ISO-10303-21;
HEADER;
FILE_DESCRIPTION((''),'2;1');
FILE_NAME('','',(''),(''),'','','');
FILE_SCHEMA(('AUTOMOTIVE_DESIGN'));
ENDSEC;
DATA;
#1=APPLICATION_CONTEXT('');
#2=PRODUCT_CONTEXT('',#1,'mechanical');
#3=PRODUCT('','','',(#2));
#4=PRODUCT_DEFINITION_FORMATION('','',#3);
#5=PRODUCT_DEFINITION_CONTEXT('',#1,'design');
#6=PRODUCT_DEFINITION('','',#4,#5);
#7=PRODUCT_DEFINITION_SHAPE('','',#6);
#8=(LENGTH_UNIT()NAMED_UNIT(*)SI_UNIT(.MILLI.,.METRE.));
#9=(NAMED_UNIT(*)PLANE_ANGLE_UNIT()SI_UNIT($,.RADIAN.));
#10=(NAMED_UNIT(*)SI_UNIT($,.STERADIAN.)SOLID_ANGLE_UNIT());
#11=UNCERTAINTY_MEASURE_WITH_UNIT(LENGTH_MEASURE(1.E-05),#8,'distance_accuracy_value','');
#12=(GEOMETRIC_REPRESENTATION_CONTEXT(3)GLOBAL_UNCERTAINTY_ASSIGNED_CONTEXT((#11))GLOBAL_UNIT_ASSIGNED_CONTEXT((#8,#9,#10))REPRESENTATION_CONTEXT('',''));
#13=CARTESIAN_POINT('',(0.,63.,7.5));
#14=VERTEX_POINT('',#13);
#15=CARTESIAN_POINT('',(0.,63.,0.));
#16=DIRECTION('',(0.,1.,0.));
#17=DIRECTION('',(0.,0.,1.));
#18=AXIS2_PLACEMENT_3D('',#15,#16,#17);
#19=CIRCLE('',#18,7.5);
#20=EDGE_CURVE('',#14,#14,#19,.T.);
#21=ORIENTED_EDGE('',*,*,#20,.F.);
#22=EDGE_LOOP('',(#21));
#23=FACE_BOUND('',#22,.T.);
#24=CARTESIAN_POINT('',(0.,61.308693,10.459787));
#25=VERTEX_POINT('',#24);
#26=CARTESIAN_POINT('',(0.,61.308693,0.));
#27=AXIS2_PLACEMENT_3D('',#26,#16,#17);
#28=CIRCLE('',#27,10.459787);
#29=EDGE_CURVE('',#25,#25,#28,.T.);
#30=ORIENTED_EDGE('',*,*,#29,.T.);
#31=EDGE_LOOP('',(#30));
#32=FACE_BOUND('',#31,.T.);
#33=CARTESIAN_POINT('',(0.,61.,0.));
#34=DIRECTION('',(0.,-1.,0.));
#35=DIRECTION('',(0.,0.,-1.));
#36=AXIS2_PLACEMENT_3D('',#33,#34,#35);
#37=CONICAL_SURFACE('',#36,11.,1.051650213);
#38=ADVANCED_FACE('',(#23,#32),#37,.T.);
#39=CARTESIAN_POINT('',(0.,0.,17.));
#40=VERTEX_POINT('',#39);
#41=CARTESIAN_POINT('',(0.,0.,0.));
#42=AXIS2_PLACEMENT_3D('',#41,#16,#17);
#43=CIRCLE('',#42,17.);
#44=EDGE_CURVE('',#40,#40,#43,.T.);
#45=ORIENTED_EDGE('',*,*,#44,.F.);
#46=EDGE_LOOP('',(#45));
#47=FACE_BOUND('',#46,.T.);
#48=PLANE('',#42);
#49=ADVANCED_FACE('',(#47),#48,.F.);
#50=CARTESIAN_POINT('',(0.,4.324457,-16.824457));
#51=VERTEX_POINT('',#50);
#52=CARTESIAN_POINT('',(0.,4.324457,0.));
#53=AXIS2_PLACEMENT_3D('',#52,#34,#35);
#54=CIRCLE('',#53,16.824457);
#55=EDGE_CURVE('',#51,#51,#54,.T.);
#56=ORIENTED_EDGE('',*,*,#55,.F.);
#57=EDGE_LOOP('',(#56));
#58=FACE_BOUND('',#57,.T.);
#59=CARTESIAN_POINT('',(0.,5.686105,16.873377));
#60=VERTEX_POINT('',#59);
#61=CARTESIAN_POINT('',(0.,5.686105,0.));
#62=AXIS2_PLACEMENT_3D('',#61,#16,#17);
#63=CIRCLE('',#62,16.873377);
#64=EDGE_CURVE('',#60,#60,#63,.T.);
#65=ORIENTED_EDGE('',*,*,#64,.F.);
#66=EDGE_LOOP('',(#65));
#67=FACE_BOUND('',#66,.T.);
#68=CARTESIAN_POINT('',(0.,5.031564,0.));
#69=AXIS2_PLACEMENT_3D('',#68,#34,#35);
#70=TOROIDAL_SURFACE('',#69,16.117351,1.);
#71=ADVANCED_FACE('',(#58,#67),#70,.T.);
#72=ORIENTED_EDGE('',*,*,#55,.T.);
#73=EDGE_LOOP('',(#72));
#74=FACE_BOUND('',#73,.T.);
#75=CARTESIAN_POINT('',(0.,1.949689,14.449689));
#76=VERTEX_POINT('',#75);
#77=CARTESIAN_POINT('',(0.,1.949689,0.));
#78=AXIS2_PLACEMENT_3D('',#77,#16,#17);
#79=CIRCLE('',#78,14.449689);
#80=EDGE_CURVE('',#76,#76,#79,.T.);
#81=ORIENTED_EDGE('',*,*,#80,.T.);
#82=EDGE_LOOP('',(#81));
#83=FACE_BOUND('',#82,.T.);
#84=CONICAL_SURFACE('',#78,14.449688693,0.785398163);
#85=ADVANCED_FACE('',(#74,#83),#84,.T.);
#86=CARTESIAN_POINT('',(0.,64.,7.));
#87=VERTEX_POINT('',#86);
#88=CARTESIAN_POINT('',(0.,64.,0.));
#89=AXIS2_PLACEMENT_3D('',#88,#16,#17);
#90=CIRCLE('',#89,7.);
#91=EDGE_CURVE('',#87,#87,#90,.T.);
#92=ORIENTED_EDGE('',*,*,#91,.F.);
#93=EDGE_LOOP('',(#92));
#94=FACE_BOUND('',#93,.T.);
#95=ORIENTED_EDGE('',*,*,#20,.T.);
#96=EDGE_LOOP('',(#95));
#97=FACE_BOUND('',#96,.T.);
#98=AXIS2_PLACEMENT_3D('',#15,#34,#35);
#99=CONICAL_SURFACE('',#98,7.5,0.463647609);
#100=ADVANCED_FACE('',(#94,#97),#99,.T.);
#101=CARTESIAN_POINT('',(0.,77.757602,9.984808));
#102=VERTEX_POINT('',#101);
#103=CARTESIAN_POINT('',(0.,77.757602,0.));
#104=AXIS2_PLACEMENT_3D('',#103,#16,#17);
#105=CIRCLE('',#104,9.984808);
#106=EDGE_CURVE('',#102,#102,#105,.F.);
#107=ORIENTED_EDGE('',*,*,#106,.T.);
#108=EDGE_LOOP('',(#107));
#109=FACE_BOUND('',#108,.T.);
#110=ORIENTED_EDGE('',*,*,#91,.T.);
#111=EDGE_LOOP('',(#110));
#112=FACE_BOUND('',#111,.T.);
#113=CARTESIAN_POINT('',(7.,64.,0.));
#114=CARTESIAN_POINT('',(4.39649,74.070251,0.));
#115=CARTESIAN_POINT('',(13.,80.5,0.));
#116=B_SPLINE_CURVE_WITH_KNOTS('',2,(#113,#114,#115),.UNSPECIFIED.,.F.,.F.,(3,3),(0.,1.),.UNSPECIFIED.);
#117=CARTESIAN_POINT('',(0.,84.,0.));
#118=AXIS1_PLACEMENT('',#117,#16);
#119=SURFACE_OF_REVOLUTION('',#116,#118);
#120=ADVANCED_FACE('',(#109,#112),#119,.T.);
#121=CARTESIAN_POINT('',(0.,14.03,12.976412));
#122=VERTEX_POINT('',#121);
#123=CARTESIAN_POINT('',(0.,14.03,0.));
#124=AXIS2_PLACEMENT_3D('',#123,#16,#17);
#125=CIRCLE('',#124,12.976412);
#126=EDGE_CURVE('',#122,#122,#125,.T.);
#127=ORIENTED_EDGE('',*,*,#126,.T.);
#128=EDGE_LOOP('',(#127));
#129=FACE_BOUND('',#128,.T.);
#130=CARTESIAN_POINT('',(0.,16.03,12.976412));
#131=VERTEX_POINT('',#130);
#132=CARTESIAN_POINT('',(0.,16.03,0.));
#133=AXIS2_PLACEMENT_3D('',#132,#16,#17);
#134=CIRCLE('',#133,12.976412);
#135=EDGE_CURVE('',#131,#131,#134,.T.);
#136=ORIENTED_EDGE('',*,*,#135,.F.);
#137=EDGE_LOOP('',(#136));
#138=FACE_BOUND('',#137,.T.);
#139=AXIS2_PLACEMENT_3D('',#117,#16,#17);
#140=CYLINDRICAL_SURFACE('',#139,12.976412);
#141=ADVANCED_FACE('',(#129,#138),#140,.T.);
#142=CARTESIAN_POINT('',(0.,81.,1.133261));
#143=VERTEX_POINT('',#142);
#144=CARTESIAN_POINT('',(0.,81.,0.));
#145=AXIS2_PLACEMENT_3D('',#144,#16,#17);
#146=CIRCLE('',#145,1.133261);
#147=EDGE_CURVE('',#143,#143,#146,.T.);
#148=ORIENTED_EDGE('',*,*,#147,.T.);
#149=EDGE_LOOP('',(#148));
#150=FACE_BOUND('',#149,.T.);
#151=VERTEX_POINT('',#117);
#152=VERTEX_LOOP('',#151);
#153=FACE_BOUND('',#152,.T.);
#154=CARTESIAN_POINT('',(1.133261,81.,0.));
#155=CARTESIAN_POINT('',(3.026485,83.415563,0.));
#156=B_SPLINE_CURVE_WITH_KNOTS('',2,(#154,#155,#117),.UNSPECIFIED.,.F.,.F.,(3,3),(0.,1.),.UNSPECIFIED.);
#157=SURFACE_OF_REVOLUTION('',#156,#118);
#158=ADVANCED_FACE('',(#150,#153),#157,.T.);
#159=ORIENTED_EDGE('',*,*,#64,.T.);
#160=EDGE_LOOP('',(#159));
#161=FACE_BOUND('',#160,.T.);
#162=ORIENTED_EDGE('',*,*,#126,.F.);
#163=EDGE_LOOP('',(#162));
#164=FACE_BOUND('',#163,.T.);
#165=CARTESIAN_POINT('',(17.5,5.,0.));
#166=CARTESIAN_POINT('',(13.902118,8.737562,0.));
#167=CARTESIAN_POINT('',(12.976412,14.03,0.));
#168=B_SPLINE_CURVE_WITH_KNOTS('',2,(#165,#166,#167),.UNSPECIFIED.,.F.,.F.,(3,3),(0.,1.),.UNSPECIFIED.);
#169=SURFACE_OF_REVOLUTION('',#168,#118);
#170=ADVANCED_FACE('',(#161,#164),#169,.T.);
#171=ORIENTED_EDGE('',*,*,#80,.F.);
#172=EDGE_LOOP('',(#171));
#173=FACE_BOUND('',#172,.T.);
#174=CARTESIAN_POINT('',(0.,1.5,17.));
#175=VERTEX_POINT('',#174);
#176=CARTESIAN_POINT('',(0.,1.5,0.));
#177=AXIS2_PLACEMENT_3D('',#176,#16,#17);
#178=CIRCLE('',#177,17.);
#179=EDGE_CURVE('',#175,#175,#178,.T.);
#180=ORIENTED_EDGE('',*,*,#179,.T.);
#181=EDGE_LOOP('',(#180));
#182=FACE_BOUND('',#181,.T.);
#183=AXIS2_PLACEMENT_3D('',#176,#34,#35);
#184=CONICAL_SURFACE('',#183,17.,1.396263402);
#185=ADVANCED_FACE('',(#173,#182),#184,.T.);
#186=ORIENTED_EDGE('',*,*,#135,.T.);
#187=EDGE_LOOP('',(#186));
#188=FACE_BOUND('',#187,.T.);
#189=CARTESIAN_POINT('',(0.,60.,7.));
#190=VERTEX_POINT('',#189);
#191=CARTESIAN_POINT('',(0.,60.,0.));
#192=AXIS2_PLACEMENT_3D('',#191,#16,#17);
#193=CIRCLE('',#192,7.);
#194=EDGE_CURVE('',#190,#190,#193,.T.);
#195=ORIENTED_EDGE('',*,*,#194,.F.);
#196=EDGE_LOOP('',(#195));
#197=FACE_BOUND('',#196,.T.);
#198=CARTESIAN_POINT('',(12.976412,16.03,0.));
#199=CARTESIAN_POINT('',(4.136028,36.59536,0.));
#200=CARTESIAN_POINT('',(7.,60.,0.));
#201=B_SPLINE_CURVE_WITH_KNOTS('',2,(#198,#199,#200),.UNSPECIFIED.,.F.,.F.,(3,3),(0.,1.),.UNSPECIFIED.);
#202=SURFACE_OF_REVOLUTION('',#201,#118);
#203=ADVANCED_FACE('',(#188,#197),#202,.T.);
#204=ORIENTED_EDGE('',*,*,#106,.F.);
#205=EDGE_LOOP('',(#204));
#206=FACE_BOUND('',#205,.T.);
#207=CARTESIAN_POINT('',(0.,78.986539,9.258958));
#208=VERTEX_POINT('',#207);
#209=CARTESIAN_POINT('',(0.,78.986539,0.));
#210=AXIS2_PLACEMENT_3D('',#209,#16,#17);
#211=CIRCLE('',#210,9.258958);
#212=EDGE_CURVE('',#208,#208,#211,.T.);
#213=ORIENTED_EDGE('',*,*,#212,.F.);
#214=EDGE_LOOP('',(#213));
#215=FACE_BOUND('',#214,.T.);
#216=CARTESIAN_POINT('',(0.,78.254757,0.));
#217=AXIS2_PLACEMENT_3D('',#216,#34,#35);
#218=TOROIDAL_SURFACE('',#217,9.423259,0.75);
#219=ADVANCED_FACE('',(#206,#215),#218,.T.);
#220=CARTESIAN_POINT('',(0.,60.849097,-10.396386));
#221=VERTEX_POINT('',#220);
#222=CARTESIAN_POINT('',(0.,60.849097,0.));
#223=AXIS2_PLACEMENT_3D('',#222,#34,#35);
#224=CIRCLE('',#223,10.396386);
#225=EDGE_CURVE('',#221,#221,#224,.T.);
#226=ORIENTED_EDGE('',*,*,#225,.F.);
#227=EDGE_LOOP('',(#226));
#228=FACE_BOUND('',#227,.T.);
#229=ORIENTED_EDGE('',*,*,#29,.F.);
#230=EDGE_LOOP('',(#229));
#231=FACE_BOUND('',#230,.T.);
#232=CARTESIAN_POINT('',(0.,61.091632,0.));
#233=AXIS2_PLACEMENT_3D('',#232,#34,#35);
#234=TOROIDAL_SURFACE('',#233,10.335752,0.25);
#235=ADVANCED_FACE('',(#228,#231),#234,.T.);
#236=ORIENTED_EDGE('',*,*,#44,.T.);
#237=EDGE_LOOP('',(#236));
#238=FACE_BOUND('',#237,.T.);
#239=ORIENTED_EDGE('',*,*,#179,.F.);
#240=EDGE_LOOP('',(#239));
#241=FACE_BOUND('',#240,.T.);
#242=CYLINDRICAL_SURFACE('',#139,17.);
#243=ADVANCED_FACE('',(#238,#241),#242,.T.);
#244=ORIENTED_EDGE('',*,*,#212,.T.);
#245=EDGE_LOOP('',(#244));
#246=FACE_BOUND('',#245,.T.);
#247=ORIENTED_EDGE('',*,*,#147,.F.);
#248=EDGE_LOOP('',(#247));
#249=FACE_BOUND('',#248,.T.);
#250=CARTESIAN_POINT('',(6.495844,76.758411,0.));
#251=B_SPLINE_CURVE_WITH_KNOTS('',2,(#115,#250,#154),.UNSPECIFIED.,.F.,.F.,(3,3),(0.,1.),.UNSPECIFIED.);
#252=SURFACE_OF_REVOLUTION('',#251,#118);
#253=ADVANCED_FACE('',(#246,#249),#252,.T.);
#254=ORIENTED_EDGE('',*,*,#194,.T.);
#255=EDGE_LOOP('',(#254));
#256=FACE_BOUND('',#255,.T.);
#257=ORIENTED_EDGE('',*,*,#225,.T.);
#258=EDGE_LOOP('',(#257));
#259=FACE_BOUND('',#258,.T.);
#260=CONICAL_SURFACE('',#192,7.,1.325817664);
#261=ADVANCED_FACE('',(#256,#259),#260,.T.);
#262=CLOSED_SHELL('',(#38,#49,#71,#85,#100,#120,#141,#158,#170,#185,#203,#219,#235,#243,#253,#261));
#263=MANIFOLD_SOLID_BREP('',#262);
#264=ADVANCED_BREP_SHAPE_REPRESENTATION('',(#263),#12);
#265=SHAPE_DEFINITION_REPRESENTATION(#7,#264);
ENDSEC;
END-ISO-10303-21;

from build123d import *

# Parameters (mm, degrees)
FILLET1_R = 1
FILLET2_R = 0.75
FILLET3_R = 0.25


with BuildPart() as part:
    # Sketch1 → Revolve1 (revolve)
    with BuildSketch(Plane.XY, mode=Mode.PRIVATE) as revolve1_sk:
        with BuildLine():
            Line((0, 0), (17, 0))
            Line((17, 0), (17, 1.5))
            Line((17, 1.5), (14.449688693, 1.949688693))
            Line((14.449688693, 1.949688693), (17.5, 5))
            add(Edge.make_bspline(
                [(12.976411859, 14.03), (13.902117659, 8.737562454), (17.5, 5)],
                knots=[0, 0, 0, 1, 1, 1], degree=2))
            Line((12.976411859, 14.03), (12.976411859, 16.03))
            add(Edge.make_bspline(
                [(7, 60), (4.136028276, 36.595359513), (12.976411859, 16.03)],
                knots=[0, 0, 0, 1, 1, 1], degree=2))
            Line((7, 60), (11, 61))
            Line((11, 61), (7.5, 63))
            Line((7.5, 63), (7, 64))
            add(Edge.make_bspline(
                [(7, 64), (4.396490031, 74.070251116), (13, 80.5)],
                knots=[0, 0, 0, 1, 1, 1], degree=2))
            add(Edge.make_bspline(
                [(13, 80.5), (6.495844097, 76.758411128), (1.13326063, 81)],
                knots=[0, 0, 0, 1, 1, 1], degree=2))
            add(Edge.make_bspline(
                [(0, 84), (3.026484877, 83.415562524), (1.13326063, 81)],
                knots=[0, 0, 0, 1, 1, 1], degree=2))
            Line((0, 84), (0, 0))
        make_face()
    revolve(revolve1_sk.sketch.rotate(Axis((0, 84, 0), (0, -1, 0)), 90), axis=Axis((0, 84, 0), (0, -1, 0)))

    # Fillet1
    fillet1_edges = [part.edges().sort_by_distance(p)[0] for p in [
        (0, 5, -17.5),
    ]]
    fillet(fillet1_edges, radius=FILLET1_R)

    # Fillet2
    fillet2_edges = [part.edges().sort_by_distance(p)[0] for p in [
        (0, 80.5, -13),
    ]]
    fillet(fillet2_edges, radius=FILLET2_R)

    # Fillet3
    fillet3_edges = [part.edges().sort_by_distance(p)[0] for p in [
        (0, 61, -11),
    ]]
    fillet(fillet3_edges, radius=FILLET3_R)


solid = part.part
